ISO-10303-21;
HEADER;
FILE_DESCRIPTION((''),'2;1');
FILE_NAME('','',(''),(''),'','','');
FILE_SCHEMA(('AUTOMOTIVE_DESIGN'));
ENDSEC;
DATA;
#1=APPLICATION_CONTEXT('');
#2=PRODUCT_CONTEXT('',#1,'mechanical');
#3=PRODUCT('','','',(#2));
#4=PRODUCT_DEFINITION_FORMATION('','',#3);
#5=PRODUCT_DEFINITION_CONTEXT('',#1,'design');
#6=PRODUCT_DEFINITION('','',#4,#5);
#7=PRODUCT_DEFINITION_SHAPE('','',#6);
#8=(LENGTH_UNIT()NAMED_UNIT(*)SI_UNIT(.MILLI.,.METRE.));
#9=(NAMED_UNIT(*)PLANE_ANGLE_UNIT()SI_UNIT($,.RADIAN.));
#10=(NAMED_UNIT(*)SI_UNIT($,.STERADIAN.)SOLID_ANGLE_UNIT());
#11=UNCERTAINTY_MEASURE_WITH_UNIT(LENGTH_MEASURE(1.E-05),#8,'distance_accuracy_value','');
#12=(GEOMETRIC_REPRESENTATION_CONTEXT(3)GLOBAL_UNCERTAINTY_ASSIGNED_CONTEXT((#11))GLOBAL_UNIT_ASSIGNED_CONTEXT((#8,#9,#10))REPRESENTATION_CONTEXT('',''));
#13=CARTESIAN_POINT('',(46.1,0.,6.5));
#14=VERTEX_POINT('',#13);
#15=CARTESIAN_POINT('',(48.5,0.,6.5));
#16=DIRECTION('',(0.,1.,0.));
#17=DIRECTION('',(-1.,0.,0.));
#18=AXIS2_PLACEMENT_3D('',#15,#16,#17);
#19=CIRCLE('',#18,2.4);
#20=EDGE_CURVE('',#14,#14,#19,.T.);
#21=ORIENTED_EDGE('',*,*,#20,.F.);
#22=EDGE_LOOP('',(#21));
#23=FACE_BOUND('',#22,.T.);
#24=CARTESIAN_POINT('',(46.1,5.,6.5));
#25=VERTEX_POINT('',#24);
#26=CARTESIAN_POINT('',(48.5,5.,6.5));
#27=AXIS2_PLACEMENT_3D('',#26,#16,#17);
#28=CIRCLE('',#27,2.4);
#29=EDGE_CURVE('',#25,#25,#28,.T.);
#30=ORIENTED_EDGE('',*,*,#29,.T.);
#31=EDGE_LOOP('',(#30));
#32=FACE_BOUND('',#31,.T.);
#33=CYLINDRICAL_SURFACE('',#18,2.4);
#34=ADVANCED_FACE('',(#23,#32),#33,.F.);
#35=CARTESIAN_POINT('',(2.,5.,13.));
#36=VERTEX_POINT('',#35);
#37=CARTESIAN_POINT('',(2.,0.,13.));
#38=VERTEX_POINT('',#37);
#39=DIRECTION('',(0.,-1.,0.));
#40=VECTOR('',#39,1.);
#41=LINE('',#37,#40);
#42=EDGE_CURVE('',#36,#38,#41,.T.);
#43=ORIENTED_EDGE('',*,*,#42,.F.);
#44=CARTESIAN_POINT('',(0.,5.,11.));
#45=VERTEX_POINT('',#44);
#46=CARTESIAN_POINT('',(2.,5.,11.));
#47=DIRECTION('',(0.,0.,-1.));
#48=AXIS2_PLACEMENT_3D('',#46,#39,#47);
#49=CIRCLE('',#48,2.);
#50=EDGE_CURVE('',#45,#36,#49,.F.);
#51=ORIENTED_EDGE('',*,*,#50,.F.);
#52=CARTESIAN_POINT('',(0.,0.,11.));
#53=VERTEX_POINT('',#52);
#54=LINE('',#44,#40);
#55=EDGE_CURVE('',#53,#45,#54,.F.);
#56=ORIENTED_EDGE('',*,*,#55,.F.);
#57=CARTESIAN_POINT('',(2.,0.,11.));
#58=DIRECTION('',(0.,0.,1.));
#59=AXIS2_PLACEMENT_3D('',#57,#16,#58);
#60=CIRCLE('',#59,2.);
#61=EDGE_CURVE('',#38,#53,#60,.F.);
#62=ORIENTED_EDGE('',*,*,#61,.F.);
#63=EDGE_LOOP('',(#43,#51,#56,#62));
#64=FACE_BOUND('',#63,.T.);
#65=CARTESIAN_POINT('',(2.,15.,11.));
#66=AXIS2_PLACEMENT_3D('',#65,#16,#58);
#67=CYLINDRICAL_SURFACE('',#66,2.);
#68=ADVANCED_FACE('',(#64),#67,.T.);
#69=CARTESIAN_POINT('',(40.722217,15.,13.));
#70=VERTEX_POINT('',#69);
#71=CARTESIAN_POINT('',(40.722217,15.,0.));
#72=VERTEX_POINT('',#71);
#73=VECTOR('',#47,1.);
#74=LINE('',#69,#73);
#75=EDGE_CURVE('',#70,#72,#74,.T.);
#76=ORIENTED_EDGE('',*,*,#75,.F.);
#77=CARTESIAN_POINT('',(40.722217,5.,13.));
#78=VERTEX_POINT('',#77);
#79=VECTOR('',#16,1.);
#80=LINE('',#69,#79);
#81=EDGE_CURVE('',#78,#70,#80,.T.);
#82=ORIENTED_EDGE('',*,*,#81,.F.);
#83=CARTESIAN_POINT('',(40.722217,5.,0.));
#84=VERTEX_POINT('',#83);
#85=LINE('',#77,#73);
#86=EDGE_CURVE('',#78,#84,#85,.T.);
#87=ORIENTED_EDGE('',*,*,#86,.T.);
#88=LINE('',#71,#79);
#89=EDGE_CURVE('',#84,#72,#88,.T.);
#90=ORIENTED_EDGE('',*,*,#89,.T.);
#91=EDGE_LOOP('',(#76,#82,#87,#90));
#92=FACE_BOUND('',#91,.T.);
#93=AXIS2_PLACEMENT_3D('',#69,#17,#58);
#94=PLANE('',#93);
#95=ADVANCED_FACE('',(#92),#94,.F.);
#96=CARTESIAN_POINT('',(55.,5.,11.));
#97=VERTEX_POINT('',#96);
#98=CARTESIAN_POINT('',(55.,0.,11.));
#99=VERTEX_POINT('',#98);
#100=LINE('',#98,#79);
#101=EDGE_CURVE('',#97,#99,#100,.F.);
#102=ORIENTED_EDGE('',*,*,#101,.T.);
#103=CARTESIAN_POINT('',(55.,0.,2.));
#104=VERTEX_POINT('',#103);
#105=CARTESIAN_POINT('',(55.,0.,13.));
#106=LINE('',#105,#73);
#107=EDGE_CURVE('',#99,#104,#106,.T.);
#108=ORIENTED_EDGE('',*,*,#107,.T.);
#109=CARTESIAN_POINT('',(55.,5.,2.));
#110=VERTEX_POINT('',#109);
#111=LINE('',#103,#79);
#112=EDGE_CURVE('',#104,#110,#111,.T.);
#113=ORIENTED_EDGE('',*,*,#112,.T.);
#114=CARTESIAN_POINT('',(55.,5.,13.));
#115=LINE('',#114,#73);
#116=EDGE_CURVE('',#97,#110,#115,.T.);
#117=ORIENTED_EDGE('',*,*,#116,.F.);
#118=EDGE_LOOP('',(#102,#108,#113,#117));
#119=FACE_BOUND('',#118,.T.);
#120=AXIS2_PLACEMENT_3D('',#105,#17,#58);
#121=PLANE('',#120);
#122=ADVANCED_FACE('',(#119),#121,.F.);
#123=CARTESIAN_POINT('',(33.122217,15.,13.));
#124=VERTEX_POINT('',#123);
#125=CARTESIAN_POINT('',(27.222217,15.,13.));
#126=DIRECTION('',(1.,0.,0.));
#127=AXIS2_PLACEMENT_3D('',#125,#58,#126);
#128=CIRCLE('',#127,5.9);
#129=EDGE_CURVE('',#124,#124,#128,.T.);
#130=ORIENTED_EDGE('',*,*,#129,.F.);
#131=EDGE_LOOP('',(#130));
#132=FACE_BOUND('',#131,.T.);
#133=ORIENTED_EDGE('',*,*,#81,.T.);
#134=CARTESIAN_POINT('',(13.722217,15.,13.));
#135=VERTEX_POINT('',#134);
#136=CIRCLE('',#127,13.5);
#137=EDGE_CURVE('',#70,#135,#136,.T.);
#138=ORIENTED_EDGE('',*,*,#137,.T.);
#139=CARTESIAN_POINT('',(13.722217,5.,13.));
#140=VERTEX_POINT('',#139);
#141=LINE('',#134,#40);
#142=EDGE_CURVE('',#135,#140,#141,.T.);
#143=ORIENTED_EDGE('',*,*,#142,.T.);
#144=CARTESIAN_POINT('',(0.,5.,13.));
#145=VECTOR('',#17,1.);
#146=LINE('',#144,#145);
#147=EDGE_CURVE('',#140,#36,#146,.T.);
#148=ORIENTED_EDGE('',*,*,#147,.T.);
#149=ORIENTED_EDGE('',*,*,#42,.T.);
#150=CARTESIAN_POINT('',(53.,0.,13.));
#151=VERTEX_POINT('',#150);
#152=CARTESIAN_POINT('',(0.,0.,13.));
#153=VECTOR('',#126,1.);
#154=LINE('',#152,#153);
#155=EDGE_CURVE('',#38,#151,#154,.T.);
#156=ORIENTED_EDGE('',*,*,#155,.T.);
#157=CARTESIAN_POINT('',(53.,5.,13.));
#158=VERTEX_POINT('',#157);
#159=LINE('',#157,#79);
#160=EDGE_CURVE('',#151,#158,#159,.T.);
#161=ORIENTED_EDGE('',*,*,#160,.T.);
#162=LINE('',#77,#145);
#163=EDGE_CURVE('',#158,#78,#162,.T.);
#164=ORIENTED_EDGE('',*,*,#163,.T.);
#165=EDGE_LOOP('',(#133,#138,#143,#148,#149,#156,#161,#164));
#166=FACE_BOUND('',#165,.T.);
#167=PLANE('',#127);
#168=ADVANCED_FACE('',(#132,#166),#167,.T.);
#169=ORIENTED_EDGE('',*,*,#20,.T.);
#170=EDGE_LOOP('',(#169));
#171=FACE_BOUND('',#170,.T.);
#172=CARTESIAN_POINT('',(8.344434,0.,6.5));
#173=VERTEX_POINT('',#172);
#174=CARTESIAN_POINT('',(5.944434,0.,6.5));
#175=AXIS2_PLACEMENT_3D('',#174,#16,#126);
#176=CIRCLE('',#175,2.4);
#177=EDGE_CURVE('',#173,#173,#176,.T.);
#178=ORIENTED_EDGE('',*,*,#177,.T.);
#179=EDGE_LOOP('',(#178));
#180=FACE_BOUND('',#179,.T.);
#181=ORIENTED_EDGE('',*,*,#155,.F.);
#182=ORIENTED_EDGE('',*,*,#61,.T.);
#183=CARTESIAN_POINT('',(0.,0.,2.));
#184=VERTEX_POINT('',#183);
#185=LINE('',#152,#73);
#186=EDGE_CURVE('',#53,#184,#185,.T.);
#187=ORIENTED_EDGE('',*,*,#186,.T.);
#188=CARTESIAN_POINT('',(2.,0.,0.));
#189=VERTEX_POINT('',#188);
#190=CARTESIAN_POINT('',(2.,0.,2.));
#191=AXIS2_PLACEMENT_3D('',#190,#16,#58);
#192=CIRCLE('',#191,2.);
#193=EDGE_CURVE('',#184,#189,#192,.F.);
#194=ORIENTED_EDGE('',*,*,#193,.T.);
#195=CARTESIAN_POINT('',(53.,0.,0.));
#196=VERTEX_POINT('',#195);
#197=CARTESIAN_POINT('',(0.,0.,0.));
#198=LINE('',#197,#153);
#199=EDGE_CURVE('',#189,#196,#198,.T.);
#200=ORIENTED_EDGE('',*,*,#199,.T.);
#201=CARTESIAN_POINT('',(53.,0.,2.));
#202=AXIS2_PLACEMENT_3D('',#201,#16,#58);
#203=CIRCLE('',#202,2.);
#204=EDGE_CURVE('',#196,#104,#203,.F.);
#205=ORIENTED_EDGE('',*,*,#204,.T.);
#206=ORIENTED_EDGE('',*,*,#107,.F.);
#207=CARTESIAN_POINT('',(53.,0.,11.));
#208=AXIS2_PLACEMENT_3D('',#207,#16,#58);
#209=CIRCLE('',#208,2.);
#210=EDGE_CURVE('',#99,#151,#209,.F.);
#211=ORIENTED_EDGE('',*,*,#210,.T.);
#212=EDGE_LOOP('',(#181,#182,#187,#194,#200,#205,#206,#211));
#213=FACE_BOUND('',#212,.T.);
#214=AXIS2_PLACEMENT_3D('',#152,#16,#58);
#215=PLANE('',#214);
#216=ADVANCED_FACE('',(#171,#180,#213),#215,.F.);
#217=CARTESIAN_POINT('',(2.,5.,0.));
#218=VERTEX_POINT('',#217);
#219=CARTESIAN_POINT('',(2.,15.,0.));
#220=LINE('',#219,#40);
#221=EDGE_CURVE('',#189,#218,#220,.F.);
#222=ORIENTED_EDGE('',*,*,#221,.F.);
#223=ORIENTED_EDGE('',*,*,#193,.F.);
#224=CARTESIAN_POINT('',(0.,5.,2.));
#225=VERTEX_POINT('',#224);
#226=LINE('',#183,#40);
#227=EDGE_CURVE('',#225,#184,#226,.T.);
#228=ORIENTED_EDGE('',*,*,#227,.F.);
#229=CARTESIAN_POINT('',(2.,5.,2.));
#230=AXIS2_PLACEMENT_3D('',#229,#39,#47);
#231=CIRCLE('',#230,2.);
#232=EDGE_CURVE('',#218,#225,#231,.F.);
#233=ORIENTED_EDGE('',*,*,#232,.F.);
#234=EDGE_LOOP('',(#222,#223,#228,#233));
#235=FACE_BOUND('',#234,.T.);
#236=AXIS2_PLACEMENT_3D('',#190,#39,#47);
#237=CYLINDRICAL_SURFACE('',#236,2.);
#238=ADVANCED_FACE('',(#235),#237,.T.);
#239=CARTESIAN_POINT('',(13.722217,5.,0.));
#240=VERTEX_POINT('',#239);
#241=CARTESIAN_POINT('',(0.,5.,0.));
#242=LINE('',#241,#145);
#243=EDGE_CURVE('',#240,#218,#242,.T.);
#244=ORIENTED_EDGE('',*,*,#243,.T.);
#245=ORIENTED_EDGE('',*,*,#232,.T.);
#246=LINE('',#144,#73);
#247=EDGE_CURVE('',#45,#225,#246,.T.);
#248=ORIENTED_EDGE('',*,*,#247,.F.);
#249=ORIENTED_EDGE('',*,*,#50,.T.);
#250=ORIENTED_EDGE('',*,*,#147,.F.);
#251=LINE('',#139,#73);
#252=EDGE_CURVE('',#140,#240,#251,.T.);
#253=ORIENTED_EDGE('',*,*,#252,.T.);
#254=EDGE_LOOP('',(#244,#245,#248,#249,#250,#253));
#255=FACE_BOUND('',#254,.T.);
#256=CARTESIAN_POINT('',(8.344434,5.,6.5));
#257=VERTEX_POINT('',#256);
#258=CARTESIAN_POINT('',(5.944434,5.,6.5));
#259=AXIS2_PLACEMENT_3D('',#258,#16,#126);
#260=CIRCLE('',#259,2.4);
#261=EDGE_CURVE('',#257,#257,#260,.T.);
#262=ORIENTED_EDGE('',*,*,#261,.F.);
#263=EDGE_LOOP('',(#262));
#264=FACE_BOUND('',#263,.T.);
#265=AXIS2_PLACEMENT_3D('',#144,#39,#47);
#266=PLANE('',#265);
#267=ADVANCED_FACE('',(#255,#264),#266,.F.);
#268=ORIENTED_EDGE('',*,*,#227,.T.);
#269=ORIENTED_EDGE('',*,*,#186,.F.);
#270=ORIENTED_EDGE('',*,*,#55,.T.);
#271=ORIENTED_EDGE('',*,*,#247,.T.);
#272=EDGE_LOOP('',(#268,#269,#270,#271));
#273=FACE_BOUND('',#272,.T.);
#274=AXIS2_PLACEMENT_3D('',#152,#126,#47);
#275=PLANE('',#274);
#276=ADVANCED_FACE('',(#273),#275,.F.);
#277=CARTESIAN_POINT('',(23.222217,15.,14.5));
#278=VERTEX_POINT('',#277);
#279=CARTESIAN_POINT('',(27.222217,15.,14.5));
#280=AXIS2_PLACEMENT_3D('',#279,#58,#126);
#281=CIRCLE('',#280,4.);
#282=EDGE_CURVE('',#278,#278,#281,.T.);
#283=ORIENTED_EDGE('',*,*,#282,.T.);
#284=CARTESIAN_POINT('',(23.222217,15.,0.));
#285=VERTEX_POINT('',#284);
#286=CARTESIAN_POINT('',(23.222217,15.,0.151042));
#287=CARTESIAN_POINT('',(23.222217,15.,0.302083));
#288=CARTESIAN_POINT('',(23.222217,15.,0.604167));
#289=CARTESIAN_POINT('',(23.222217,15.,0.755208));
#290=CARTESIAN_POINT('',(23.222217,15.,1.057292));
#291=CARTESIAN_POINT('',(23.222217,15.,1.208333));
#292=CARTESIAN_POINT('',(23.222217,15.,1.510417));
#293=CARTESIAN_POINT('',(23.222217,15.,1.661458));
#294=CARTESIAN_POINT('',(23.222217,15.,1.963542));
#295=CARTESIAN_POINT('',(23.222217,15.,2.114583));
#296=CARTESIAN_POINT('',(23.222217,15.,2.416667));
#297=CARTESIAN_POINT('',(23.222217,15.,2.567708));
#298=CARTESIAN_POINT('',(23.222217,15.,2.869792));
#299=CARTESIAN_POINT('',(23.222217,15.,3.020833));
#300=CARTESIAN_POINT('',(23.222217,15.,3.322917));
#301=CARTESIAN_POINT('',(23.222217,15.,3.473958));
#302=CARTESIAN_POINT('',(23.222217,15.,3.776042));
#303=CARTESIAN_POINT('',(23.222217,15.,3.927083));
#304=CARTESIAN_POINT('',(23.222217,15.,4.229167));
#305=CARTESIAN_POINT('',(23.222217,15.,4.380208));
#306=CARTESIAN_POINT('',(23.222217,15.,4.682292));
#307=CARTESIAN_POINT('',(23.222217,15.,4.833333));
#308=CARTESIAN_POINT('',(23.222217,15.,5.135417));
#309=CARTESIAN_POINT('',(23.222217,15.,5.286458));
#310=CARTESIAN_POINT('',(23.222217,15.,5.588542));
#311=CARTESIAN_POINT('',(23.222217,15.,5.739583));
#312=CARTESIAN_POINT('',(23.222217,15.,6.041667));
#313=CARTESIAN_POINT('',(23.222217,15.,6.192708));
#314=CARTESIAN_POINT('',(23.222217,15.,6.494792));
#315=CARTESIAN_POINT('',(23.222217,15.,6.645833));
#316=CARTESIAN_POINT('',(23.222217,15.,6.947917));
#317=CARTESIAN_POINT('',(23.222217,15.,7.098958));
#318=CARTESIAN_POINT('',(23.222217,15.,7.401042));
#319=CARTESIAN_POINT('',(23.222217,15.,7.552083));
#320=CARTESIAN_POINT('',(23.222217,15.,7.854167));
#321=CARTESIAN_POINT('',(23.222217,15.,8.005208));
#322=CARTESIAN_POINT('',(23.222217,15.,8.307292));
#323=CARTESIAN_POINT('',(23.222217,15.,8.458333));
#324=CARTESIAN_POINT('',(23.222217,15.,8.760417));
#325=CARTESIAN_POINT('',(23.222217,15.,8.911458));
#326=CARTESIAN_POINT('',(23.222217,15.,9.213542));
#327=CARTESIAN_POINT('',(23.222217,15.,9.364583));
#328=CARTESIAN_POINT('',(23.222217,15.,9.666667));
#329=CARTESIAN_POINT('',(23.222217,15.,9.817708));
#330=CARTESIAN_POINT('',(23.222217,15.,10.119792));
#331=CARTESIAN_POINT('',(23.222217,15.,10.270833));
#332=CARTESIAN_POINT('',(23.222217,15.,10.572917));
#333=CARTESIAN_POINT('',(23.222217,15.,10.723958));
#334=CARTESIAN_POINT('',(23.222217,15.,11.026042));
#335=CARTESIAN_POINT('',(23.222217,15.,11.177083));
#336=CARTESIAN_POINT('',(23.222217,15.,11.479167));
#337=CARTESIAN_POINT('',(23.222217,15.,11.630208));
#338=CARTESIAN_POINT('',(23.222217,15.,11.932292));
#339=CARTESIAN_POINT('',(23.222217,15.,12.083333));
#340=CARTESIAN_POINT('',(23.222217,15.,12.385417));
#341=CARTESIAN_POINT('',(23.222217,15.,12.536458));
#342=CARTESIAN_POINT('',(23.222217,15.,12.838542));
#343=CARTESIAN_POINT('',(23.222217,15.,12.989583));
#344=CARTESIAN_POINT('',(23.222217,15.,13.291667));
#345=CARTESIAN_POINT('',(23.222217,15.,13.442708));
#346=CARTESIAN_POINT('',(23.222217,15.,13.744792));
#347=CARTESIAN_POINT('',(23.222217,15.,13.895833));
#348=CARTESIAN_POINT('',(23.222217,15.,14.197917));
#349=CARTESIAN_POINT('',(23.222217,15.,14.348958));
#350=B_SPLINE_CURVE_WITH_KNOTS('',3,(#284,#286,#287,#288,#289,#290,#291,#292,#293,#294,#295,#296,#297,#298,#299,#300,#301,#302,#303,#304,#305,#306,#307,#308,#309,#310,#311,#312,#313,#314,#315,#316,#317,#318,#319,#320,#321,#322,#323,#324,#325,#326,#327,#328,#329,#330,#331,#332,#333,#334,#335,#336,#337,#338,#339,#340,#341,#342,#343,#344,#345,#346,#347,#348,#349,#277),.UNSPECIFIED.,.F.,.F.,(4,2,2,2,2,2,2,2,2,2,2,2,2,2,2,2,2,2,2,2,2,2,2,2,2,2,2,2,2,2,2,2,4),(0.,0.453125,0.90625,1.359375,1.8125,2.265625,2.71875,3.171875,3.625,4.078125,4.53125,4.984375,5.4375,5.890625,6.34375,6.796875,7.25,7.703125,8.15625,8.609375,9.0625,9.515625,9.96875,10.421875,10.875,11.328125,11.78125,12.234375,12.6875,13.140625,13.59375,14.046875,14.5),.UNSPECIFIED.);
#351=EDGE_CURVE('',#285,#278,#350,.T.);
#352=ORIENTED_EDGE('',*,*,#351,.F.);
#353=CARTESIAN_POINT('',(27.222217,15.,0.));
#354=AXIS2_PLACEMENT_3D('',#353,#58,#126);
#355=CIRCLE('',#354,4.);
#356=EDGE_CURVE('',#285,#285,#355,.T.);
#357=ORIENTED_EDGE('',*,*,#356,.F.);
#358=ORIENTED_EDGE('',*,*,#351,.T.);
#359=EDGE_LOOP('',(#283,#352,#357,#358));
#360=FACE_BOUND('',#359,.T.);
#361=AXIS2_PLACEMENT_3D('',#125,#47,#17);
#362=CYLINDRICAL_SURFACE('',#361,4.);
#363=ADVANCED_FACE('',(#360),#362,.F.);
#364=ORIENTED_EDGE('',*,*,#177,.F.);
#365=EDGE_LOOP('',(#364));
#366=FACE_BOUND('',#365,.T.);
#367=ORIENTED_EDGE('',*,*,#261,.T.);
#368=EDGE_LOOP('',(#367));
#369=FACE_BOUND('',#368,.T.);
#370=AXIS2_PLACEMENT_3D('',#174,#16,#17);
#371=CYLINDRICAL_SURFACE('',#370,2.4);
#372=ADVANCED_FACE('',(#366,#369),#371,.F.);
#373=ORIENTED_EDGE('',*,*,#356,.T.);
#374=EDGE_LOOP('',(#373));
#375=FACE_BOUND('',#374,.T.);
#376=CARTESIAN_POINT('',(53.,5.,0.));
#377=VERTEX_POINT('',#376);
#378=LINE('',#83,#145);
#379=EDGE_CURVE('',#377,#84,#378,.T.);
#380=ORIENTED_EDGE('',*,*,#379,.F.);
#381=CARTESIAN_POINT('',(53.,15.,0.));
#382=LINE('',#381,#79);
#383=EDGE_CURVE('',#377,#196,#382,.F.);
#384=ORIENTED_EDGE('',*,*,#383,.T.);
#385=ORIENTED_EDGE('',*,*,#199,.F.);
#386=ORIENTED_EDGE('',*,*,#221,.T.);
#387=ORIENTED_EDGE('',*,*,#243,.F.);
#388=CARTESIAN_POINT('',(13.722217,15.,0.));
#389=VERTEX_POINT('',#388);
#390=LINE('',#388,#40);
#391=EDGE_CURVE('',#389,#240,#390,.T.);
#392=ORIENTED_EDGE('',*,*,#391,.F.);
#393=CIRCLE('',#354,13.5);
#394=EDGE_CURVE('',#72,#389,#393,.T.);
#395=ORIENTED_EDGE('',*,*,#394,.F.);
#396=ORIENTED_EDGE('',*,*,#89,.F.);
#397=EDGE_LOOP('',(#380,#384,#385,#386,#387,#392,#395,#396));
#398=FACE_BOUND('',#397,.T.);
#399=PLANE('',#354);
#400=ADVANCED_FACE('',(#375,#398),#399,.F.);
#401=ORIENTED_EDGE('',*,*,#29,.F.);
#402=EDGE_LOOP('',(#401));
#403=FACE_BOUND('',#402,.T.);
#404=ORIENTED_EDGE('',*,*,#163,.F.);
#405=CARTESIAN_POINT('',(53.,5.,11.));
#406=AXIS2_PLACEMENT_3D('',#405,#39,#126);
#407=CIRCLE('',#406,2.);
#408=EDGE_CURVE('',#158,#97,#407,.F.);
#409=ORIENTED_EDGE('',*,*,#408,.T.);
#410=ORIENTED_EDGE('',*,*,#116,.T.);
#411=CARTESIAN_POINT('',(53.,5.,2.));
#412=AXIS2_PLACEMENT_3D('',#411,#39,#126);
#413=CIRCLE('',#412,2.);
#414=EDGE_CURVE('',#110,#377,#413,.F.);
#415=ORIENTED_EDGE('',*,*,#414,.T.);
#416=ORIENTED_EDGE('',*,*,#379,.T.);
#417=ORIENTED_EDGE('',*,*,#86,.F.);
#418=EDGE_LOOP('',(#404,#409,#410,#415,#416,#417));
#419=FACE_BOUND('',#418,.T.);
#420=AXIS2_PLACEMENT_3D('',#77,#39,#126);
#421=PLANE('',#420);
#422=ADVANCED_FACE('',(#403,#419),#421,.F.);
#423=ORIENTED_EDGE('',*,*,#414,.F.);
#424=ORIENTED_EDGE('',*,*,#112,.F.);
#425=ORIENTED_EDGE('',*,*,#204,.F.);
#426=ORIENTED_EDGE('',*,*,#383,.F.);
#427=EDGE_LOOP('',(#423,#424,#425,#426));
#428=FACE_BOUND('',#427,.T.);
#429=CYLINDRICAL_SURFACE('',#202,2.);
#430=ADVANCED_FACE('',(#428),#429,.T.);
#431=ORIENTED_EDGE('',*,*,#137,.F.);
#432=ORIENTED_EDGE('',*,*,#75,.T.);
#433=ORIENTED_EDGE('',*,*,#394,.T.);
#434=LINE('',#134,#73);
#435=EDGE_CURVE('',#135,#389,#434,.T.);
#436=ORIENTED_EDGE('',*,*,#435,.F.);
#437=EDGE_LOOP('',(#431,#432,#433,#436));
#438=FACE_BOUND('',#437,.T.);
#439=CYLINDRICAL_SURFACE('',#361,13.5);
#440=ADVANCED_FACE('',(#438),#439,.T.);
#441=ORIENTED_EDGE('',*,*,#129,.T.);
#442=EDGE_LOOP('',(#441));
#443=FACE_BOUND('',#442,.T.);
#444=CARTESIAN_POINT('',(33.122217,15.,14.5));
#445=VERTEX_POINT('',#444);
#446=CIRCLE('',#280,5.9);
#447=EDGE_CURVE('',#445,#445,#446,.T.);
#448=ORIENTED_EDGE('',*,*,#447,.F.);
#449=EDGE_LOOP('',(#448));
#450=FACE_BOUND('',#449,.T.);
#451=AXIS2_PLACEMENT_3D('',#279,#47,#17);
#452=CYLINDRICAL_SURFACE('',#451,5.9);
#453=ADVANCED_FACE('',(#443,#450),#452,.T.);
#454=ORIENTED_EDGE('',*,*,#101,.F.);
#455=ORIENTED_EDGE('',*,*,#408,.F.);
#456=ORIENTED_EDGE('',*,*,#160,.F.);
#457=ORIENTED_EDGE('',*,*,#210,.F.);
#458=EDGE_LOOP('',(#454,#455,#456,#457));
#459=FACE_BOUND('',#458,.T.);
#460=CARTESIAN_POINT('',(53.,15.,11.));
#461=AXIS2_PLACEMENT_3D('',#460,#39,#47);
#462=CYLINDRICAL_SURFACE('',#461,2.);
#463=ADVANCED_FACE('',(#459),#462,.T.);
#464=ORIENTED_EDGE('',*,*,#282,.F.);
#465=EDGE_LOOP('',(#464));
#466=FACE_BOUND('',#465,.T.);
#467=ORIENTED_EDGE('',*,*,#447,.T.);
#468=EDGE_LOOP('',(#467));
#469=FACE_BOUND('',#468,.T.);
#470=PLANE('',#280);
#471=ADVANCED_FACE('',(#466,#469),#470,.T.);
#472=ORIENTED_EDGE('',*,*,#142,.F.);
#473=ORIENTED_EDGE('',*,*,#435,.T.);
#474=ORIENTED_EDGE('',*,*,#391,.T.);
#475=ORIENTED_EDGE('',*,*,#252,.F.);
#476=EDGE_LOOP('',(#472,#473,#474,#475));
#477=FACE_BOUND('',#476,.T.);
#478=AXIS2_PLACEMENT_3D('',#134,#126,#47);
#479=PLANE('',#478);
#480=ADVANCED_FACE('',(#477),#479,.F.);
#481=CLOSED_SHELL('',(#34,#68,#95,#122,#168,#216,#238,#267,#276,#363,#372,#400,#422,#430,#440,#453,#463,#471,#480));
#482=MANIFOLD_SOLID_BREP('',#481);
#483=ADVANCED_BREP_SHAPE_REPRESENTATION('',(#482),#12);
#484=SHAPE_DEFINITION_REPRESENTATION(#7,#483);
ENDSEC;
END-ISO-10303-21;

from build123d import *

# Parameters (mm, degrees)
SKETCH2_R           = 4
BOSS_EXTRUDE1_DEPTH = 13
SKETCH3_R           = 5.9
SKETCH3_R_2         = 4
BOSS_EXTRUDE2_DEPTH = 1.5
SKETCH4_R           = 2.4
CUT_EXTRUDE1_DEPTH  = 5
FILLET1_R           = 2
FILLET2_R           = 2


with BuildPart() as part:
    # Sketch2 → Boss-Extrude1 (new body)
    with BuildSketch(Plane.XY):
        with BuildLine():
            Line((0, 0), (55, 0))
            Line((55, 0), (55, 5))
            Line((55, 5), (40.722217225, 5))
            Line((40.722217225, 5), (40.722217225, 15))
            ThreePointArc((40.722217225, 15), (27.222217225, 28.5), (13.722217225, 15))
            Line((13.722217225, 15), (13.722217225, 5))
            Line((13.722217225, 5), (0, 5))
            Line((0, 5), (0, 0))
        make_face()
        with Locations(Location((27.222217225, 15, 0), (0, 0, 180))):
            Circle(SKETCH2_R, mode=Mode.SUBTRACT)
    extrude(amount=BOSS_EXTRUDE1_DEPTH)

    # Sketch3 → Boss-Extrude2 (add)
    with BuildSketch(Plane.XY.offset(13)):
        with Locations((27.222217225, 15)):
            Circle(SKETCH3_R)
        with Locations(Location((27.222217225, 15, 0), (0, 0, 180))):
            Circle(SKETCH3_R_2, mode=Mode.SUBTRACT)
    extrude(amount=BOSS_EXTRUDE2_DEPTH)

    # Sketch4 → Cut-Extrude1 (cut)
    with BuildSketch(Plane(origin=(0, 5, 0), x_dir=(1, 0, 0), z_dir=(0, 1, 0))):
        with Locations(Location((48.5, -6.5, 0), (0, 0, 180))):
            Circle(SKETCH4_R)
        with Locations((5.944434451, -6.5)):
            Circle(SKETCH4_R)
    extrude(amount=-CUT_EXTRUDE1_DEPTH, mode=Mode.SUBTRACT)

    # Fillet1
    fillet1_edges = [part.edges().sort_by_distance(p)[0] for p in [
        (55, 2.5, 13),
    ]]
    fillet(fillet1_edges, radius=FILLET1_R)

    # Fillet2
    fillet2_edges = [part.edges().sort_by_distance(p)[0] for p in [
        (0, 2.5, 0),
        (0, 2.5, 13),
        (55, 2.5, 0),
    ]]
    fillet(fillet2_edges, radius=FILLET2_R)


solid = part.part
